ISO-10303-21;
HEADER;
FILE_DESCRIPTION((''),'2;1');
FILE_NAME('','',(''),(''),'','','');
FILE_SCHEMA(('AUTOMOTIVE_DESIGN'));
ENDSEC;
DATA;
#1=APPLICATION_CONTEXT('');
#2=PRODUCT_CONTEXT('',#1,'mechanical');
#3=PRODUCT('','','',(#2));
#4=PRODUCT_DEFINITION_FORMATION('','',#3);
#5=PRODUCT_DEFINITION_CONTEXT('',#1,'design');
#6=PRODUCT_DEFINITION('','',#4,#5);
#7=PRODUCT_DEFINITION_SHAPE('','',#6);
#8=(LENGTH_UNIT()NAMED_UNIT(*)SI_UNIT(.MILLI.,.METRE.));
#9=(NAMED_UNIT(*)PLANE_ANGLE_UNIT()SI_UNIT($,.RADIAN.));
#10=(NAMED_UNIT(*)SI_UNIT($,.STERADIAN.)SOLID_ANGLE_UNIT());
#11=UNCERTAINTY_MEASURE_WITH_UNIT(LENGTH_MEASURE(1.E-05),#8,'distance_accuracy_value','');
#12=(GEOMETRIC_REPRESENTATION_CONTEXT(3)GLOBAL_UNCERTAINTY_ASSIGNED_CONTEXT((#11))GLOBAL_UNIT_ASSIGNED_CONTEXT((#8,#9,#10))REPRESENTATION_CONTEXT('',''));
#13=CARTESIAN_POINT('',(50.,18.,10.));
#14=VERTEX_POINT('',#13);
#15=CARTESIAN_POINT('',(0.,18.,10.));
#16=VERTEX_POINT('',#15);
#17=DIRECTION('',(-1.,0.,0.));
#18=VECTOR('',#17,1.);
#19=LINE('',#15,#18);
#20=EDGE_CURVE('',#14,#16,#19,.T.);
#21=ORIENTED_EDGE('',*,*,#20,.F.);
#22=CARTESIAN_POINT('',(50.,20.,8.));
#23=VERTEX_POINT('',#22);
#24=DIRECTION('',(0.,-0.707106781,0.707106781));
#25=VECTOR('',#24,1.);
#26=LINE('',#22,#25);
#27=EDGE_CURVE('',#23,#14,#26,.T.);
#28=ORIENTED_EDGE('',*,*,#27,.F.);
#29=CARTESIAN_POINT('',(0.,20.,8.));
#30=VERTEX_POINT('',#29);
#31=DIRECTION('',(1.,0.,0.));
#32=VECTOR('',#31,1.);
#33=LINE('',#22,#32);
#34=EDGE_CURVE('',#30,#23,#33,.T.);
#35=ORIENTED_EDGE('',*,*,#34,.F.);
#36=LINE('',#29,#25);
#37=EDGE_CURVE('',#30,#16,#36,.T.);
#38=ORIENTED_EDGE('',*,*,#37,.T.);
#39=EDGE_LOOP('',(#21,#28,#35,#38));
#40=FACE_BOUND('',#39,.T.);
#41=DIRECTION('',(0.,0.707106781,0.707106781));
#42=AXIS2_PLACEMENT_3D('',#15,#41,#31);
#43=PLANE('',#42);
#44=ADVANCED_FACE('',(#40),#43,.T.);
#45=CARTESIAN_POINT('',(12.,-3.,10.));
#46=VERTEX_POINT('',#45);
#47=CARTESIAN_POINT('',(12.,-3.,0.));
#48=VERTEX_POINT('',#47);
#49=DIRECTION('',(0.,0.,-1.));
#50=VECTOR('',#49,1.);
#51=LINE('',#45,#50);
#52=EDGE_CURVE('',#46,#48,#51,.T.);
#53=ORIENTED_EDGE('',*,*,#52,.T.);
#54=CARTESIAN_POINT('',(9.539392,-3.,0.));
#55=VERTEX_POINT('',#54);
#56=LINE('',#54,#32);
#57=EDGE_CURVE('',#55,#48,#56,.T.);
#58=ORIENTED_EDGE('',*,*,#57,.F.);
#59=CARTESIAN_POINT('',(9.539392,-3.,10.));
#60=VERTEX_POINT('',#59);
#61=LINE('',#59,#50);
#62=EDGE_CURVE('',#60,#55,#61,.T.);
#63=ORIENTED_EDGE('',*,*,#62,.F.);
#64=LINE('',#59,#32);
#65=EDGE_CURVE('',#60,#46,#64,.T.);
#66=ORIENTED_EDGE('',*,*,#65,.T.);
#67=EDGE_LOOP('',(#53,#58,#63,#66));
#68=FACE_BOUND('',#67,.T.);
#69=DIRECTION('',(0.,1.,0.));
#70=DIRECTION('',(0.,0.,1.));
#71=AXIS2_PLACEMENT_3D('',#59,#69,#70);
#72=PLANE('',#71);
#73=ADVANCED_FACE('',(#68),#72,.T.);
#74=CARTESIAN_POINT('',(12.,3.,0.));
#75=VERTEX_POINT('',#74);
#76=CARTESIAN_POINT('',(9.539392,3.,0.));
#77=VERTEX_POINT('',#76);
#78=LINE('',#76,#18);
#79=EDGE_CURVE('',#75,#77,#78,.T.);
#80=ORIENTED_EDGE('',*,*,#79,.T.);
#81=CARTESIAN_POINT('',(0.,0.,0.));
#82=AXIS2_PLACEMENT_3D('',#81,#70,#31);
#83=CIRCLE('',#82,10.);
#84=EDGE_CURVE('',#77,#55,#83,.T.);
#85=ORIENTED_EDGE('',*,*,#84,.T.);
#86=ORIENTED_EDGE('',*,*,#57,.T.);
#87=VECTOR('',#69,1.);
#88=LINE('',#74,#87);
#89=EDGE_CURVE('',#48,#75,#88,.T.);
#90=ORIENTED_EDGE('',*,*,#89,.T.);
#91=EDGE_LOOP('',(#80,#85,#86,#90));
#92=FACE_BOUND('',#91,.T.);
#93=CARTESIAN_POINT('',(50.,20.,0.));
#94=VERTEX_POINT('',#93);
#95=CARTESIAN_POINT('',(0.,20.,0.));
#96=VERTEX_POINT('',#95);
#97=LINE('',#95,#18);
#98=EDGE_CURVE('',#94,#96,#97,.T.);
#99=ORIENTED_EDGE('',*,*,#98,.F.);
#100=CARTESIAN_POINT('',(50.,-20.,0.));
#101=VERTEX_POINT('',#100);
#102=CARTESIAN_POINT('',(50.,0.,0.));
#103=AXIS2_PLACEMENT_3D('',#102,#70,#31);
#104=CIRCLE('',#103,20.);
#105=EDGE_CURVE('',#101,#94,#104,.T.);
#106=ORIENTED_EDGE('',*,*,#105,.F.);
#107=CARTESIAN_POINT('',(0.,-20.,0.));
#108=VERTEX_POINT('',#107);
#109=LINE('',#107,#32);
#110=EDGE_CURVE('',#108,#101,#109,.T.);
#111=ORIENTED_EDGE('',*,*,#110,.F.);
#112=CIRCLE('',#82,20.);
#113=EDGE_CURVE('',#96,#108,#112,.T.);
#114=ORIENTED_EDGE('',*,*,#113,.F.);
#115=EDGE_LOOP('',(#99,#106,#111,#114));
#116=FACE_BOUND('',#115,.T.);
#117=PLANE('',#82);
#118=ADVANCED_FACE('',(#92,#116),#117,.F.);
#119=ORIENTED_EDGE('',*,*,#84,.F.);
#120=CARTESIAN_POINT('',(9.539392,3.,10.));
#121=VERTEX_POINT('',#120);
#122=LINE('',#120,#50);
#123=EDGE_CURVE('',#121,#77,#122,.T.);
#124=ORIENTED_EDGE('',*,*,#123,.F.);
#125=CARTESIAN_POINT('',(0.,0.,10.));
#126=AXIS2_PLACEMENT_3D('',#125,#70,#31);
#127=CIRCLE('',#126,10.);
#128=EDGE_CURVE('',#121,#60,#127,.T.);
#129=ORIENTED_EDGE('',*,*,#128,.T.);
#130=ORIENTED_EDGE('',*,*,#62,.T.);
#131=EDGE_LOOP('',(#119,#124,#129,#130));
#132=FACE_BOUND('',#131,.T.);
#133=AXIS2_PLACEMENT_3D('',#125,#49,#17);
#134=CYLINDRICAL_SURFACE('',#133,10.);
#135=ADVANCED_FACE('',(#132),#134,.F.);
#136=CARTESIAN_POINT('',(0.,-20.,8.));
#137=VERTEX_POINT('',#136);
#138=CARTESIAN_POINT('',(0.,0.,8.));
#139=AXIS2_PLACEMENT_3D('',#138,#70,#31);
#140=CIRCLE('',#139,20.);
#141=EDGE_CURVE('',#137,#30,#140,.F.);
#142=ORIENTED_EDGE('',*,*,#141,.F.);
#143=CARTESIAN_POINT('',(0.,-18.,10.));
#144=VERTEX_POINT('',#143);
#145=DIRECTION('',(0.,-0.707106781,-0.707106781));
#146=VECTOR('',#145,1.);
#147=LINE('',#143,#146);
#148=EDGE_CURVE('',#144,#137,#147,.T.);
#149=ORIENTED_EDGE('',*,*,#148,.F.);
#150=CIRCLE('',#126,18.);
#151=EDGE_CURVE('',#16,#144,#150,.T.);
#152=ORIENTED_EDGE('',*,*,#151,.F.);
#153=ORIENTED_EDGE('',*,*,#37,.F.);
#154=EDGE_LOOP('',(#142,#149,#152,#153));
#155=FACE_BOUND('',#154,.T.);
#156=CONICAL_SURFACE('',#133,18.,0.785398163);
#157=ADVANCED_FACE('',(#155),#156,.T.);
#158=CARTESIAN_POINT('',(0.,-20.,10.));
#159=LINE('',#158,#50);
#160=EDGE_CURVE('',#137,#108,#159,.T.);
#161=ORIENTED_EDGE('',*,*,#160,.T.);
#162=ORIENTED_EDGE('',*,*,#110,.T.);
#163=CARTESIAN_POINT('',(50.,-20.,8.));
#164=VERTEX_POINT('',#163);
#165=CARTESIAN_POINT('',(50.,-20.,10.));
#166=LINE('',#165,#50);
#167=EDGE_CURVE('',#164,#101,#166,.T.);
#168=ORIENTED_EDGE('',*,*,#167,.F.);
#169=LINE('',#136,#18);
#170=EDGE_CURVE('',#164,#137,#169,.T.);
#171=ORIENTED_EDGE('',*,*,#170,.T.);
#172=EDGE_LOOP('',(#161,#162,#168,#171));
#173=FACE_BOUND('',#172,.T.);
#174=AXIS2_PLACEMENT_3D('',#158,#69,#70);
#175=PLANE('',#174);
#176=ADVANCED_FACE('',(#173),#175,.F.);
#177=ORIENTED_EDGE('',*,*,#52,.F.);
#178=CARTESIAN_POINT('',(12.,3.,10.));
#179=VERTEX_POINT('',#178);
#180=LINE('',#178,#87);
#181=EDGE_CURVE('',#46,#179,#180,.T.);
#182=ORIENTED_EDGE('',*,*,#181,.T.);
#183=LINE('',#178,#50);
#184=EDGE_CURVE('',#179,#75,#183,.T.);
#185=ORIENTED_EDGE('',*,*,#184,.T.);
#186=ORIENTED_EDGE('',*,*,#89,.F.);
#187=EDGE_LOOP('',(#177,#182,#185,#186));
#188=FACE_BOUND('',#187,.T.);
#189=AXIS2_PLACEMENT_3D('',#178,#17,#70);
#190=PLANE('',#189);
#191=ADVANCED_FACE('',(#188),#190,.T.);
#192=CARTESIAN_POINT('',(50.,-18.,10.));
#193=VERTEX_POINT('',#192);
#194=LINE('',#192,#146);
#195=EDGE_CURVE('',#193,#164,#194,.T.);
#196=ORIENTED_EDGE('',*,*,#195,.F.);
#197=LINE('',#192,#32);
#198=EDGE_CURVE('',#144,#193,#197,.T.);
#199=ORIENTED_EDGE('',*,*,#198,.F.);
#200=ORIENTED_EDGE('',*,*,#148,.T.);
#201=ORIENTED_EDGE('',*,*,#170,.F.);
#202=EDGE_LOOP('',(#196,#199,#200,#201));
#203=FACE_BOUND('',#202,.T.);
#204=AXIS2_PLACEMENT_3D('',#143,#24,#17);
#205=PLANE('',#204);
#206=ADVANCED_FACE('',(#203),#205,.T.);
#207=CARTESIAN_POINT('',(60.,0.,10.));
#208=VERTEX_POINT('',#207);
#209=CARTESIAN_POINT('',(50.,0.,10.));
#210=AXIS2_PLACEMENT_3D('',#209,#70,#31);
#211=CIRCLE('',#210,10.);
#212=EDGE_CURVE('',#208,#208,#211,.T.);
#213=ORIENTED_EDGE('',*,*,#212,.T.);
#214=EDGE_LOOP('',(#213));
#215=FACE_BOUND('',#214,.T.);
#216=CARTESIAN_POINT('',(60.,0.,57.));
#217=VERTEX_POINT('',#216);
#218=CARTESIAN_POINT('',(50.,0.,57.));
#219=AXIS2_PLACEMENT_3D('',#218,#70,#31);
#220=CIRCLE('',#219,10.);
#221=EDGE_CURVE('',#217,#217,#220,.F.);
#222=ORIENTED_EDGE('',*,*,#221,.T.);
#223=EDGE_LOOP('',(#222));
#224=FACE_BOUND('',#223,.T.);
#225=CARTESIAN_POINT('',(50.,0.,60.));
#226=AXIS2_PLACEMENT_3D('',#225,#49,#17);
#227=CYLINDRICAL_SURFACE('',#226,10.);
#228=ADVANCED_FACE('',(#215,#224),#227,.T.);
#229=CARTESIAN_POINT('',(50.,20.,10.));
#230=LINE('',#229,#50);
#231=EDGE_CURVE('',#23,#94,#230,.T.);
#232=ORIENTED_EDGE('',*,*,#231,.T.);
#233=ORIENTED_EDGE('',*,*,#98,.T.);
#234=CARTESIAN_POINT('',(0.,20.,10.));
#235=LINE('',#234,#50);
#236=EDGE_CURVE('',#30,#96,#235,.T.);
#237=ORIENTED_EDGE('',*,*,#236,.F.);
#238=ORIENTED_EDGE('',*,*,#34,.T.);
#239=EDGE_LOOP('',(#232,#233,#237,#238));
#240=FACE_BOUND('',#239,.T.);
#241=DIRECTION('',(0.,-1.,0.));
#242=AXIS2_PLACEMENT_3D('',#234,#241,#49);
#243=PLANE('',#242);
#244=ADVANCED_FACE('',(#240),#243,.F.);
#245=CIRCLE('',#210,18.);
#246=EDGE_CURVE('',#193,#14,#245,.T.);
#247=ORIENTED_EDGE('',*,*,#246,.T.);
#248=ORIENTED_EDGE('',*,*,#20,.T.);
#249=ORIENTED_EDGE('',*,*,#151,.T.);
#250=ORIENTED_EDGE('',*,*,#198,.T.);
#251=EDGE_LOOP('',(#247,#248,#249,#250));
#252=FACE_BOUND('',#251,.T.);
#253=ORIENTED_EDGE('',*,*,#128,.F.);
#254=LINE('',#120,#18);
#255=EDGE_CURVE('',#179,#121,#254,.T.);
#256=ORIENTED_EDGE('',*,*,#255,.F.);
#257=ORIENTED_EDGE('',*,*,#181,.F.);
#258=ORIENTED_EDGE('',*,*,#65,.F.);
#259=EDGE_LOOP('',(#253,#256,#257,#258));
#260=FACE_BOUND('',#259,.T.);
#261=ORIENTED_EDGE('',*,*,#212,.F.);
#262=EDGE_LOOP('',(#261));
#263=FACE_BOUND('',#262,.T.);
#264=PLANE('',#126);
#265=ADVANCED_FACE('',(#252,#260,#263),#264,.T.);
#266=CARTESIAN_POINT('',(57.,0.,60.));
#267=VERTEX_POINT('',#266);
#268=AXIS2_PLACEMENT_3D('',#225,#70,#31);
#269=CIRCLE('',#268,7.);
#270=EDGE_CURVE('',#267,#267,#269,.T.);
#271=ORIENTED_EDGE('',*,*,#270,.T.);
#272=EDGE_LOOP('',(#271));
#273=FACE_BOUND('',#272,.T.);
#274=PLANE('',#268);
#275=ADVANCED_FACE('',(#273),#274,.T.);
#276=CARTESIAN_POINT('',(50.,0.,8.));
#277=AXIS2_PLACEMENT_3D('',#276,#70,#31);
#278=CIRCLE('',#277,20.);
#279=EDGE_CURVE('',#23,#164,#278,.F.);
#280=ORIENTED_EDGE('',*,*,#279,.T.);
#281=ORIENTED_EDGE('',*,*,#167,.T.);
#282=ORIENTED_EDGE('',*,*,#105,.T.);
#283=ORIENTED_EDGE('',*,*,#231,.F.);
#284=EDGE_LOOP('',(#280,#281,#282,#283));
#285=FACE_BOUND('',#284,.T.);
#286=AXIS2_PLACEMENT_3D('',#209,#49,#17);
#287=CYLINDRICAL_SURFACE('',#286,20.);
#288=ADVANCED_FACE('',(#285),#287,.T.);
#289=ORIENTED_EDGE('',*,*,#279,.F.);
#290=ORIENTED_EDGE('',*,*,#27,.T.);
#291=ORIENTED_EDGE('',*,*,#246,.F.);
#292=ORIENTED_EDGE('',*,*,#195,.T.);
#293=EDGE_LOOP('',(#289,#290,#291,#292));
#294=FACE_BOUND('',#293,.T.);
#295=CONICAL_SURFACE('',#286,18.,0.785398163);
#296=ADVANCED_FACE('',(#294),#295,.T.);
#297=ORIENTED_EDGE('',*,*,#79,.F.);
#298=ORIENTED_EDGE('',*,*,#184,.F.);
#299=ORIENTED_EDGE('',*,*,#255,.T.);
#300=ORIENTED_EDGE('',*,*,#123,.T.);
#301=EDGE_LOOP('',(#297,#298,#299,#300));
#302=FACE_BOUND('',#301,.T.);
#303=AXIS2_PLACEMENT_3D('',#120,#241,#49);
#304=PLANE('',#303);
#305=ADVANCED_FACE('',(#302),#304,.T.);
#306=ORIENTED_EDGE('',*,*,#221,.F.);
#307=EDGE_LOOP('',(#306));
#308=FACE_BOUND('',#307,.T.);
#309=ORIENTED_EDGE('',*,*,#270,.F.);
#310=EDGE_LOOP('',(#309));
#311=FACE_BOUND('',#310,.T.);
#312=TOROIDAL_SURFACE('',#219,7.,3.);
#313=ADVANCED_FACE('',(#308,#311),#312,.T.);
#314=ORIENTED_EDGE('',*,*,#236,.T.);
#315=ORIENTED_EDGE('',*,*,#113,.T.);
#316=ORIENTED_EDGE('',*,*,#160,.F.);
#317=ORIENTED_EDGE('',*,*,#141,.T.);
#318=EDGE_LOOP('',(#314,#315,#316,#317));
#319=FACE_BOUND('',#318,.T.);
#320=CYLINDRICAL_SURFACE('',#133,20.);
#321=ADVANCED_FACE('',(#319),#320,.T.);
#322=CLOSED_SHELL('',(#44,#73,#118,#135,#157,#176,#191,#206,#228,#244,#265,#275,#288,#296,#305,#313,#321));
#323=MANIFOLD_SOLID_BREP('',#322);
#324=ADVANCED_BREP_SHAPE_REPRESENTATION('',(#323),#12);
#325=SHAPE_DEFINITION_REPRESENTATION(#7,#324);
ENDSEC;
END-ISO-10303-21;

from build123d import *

# Parameters (mm, degrees)
BOSS_EXTRUDE1_DEPTH = 10
SKETCH2_R           = 10
BOSS_EXTRUDE2_DEPTH = 50
FILLET1_R           = 3
CHAMFER1_SIZE       = 2


with BuildPart() as part:
    # Sketch1 → Boss-Extrude1 (new body)
    with BuildSketch(Plane.XY):
        with BuildLine():
            Line((0, 20), (50, 20))
            ThreePointArc((50, 20), (70, 0), (50, -20))
            Line((50, -20), (0, -20))
            ThreePointArc((0, -20), (-20, 0), (0, 20))
        make_face()
        with BuildLine():
            Line((9.539392014, 3), (12, 3))
            Line((12, 3), (12, -3))
            Line((12, -3), (9.539392014, -3))
            ThreePointArc((9.539392014, -3), (-10, 0), (9.539392014, 3))
        make_face(mode=Mode.SUBTRACT)
    extrude(amount=BOSS_EXTRUDE1_DEPTH)

    # Sketch2 → Boss-Extrude2 (add)
    with BuildSketch(Plane.XY.offset(10)):
        with Locations((50, 0)):
            Circle(SKETCH2_R)
    extrude(amount=BOSS_EXTRUDE2_DEPTH)

    # Fillet1
    fillet1_edges = [part.edges().sort_by_distance(p)[0] for p in [
        (40, 0, 60),
    ]]
    fillet(fillet1_edges, radius=FILLET1_R)

    # Chamfer1
    chamfer1_edges = [part.edges().sort_by_distance(p)[0] for p in [
        (70, 0, 10),
        (25, 20, 10),
        (-20, 0, 10),
        (25, -20, 10),
    ]]
    chamfer(chamfer1_edges, length=CHAMFER1_SIZE)


solid = part.part
